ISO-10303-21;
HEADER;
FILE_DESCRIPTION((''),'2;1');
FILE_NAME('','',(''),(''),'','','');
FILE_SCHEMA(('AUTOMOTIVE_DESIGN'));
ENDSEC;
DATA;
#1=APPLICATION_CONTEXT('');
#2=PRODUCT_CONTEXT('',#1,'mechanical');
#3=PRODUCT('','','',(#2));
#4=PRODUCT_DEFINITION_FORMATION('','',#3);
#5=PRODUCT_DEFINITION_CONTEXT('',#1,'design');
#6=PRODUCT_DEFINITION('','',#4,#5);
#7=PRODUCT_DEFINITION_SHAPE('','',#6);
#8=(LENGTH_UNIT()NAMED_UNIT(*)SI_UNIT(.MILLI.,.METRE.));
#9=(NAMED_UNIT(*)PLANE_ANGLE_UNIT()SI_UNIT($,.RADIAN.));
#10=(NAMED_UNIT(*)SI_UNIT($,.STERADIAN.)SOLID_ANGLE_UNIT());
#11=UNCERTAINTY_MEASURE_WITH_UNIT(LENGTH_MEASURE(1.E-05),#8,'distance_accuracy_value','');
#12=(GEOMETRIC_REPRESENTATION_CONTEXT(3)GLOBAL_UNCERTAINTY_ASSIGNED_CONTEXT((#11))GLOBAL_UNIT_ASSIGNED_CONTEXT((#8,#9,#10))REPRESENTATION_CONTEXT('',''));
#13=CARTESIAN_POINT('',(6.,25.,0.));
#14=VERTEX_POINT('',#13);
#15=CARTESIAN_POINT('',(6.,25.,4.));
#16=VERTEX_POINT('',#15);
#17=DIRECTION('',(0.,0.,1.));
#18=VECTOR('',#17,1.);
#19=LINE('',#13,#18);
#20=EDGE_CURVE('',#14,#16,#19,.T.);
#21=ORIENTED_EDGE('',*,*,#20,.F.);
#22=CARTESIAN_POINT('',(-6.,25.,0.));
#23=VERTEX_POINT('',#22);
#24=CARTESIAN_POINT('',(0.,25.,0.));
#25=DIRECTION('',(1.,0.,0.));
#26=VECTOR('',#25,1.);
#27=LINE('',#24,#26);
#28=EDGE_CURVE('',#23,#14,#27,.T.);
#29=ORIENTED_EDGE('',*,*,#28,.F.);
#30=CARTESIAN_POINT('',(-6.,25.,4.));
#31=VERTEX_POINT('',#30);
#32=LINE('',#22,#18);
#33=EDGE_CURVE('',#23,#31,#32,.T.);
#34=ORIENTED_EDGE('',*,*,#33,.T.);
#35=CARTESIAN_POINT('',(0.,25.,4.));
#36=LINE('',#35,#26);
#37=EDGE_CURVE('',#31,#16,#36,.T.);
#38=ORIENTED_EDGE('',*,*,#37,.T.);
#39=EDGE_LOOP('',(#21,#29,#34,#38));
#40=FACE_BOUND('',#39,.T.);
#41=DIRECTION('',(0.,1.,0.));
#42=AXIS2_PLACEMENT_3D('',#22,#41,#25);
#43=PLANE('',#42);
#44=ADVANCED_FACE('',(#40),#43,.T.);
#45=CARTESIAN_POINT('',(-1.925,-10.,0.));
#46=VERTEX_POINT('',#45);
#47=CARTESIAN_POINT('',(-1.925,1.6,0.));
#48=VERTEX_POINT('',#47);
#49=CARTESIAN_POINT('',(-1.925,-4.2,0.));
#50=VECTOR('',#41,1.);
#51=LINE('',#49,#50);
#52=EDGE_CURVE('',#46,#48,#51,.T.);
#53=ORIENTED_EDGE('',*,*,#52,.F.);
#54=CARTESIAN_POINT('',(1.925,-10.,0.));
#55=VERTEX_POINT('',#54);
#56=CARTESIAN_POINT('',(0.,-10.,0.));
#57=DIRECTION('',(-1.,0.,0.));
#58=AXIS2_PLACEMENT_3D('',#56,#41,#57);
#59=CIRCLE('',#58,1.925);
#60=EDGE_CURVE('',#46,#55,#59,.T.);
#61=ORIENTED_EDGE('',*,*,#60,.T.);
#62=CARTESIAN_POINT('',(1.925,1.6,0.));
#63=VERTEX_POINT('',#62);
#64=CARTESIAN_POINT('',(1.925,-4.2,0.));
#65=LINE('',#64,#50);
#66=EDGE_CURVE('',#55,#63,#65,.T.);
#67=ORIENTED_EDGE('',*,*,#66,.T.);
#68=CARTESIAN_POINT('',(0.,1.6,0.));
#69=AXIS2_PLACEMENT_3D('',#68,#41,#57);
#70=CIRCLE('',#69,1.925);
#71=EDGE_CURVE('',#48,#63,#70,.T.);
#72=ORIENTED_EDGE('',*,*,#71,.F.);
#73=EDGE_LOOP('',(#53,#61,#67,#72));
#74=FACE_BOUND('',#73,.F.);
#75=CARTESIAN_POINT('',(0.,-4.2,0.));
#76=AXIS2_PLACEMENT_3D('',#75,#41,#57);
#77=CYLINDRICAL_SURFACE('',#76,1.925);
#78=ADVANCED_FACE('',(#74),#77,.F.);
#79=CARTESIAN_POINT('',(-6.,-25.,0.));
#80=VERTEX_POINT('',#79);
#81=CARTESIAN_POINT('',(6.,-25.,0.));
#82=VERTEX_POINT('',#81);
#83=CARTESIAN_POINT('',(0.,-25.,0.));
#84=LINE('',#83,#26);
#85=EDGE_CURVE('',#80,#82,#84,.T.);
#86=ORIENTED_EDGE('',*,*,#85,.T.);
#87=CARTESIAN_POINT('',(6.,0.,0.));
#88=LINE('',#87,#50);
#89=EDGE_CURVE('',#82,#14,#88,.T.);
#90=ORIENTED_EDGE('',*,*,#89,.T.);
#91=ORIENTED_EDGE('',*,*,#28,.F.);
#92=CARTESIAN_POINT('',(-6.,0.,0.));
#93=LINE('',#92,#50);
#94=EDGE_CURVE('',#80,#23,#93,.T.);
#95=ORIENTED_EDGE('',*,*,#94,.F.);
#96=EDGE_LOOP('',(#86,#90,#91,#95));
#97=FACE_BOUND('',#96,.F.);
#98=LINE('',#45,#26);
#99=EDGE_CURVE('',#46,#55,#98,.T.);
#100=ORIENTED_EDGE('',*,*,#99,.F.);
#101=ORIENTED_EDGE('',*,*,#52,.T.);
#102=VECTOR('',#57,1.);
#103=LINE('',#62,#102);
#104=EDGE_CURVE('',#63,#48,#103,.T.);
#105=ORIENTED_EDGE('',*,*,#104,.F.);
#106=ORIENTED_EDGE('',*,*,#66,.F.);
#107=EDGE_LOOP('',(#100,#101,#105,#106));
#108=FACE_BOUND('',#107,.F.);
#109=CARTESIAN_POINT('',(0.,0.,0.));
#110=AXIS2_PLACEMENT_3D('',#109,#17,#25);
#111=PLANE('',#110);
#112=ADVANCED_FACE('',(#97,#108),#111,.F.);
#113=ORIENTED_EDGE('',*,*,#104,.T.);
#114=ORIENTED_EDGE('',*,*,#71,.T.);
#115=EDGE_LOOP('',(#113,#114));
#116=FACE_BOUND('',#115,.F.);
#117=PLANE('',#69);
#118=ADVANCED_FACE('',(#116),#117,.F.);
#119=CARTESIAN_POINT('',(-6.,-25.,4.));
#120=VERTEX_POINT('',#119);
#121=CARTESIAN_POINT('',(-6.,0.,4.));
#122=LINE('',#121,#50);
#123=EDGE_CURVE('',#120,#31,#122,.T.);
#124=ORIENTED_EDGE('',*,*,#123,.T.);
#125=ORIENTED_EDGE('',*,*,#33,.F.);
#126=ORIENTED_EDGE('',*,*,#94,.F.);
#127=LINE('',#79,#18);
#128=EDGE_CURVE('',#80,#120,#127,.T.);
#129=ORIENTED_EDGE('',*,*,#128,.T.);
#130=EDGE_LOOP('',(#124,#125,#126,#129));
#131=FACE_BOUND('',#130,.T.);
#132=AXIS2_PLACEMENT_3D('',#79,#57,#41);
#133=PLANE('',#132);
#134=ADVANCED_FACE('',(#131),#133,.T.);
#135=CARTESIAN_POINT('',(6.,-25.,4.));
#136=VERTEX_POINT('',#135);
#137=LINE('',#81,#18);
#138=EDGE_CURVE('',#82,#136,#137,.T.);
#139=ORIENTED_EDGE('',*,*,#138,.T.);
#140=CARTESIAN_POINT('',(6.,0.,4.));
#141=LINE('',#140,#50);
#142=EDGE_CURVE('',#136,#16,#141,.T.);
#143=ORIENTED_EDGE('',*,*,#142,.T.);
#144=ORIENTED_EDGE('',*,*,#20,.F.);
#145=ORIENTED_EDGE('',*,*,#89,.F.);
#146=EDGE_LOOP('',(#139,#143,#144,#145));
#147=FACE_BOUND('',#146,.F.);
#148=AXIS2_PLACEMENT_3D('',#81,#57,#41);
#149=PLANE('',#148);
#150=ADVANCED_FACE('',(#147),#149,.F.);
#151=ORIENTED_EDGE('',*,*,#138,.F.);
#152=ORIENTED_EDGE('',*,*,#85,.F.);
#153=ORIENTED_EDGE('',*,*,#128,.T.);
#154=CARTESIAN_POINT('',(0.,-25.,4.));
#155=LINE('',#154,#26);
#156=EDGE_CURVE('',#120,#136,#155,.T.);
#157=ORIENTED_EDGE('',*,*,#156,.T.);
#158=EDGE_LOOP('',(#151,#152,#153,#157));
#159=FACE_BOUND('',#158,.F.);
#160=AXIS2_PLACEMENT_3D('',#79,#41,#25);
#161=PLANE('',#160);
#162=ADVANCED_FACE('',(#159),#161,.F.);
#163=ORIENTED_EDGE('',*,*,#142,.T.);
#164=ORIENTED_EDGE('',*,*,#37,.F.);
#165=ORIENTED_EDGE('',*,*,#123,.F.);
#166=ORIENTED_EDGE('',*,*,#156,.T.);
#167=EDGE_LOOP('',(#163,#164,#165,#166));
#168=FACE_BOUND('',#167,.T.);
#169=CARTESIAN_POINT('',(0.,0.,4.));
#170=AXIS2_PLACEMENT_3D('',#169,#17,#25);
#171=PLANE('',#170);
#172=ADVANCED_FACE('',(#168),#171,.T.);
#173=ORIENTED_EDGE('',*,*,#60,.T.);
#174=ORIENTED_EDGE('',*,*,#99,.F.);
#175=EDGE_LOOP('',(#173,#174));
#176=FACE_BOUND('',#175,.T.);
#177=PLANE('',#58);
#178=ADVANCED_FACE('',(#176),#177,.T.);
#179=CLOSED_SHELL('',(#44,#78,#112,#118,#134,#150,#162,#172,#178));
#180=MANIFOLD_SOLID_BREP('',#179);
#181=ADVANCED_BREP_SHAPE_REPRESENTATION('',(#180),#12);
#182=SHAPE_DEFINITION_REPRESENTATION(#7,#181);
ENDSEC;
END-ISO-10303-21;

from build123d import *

# Parameters (mm, degrees)
F0_W     = 12
F0_H     = 50
F0_W_2   = 1.925
F0_H_2   = 11.6
F1_DEPTH = 4
F2_ANGLE = 180


with BuildPart() as f1:
    # F0 (on Top) → F1 (new body)
    with BuildSketch(Plane.XY):
        Rectangle(F0_W, F0_H)
        Polygon((1.925, -10), (0, -10), (-1.925, -10), (-1.925, 1.6), (0, 1.6), (1.925, 1.6), align=None, mode=Mode.SUBTRACT)
        with Locations((-0.9625, -4.2)):
            Rectangle(F0_W_2, F0_H_2)
        with Locations((0.9625, -4.2)):
            Rectangle(F0_W_2, F0_H_2)
    extrude(amount=F1_DEPTH)

    # F0 (on Top) → F2 (revolve, cut)
    with BuildSketch(Plane.XY):
        with Locations((-0.9625, -4.2)):
            Rectangle(F0_W_2, F0_H_2)
    revolve(axis=Axis((0, -4.2, 0), (0, 1, 0)), revolution_arc=F2_ANGLE, mode=Mode.SUBTRACT)


solid = f1.part
